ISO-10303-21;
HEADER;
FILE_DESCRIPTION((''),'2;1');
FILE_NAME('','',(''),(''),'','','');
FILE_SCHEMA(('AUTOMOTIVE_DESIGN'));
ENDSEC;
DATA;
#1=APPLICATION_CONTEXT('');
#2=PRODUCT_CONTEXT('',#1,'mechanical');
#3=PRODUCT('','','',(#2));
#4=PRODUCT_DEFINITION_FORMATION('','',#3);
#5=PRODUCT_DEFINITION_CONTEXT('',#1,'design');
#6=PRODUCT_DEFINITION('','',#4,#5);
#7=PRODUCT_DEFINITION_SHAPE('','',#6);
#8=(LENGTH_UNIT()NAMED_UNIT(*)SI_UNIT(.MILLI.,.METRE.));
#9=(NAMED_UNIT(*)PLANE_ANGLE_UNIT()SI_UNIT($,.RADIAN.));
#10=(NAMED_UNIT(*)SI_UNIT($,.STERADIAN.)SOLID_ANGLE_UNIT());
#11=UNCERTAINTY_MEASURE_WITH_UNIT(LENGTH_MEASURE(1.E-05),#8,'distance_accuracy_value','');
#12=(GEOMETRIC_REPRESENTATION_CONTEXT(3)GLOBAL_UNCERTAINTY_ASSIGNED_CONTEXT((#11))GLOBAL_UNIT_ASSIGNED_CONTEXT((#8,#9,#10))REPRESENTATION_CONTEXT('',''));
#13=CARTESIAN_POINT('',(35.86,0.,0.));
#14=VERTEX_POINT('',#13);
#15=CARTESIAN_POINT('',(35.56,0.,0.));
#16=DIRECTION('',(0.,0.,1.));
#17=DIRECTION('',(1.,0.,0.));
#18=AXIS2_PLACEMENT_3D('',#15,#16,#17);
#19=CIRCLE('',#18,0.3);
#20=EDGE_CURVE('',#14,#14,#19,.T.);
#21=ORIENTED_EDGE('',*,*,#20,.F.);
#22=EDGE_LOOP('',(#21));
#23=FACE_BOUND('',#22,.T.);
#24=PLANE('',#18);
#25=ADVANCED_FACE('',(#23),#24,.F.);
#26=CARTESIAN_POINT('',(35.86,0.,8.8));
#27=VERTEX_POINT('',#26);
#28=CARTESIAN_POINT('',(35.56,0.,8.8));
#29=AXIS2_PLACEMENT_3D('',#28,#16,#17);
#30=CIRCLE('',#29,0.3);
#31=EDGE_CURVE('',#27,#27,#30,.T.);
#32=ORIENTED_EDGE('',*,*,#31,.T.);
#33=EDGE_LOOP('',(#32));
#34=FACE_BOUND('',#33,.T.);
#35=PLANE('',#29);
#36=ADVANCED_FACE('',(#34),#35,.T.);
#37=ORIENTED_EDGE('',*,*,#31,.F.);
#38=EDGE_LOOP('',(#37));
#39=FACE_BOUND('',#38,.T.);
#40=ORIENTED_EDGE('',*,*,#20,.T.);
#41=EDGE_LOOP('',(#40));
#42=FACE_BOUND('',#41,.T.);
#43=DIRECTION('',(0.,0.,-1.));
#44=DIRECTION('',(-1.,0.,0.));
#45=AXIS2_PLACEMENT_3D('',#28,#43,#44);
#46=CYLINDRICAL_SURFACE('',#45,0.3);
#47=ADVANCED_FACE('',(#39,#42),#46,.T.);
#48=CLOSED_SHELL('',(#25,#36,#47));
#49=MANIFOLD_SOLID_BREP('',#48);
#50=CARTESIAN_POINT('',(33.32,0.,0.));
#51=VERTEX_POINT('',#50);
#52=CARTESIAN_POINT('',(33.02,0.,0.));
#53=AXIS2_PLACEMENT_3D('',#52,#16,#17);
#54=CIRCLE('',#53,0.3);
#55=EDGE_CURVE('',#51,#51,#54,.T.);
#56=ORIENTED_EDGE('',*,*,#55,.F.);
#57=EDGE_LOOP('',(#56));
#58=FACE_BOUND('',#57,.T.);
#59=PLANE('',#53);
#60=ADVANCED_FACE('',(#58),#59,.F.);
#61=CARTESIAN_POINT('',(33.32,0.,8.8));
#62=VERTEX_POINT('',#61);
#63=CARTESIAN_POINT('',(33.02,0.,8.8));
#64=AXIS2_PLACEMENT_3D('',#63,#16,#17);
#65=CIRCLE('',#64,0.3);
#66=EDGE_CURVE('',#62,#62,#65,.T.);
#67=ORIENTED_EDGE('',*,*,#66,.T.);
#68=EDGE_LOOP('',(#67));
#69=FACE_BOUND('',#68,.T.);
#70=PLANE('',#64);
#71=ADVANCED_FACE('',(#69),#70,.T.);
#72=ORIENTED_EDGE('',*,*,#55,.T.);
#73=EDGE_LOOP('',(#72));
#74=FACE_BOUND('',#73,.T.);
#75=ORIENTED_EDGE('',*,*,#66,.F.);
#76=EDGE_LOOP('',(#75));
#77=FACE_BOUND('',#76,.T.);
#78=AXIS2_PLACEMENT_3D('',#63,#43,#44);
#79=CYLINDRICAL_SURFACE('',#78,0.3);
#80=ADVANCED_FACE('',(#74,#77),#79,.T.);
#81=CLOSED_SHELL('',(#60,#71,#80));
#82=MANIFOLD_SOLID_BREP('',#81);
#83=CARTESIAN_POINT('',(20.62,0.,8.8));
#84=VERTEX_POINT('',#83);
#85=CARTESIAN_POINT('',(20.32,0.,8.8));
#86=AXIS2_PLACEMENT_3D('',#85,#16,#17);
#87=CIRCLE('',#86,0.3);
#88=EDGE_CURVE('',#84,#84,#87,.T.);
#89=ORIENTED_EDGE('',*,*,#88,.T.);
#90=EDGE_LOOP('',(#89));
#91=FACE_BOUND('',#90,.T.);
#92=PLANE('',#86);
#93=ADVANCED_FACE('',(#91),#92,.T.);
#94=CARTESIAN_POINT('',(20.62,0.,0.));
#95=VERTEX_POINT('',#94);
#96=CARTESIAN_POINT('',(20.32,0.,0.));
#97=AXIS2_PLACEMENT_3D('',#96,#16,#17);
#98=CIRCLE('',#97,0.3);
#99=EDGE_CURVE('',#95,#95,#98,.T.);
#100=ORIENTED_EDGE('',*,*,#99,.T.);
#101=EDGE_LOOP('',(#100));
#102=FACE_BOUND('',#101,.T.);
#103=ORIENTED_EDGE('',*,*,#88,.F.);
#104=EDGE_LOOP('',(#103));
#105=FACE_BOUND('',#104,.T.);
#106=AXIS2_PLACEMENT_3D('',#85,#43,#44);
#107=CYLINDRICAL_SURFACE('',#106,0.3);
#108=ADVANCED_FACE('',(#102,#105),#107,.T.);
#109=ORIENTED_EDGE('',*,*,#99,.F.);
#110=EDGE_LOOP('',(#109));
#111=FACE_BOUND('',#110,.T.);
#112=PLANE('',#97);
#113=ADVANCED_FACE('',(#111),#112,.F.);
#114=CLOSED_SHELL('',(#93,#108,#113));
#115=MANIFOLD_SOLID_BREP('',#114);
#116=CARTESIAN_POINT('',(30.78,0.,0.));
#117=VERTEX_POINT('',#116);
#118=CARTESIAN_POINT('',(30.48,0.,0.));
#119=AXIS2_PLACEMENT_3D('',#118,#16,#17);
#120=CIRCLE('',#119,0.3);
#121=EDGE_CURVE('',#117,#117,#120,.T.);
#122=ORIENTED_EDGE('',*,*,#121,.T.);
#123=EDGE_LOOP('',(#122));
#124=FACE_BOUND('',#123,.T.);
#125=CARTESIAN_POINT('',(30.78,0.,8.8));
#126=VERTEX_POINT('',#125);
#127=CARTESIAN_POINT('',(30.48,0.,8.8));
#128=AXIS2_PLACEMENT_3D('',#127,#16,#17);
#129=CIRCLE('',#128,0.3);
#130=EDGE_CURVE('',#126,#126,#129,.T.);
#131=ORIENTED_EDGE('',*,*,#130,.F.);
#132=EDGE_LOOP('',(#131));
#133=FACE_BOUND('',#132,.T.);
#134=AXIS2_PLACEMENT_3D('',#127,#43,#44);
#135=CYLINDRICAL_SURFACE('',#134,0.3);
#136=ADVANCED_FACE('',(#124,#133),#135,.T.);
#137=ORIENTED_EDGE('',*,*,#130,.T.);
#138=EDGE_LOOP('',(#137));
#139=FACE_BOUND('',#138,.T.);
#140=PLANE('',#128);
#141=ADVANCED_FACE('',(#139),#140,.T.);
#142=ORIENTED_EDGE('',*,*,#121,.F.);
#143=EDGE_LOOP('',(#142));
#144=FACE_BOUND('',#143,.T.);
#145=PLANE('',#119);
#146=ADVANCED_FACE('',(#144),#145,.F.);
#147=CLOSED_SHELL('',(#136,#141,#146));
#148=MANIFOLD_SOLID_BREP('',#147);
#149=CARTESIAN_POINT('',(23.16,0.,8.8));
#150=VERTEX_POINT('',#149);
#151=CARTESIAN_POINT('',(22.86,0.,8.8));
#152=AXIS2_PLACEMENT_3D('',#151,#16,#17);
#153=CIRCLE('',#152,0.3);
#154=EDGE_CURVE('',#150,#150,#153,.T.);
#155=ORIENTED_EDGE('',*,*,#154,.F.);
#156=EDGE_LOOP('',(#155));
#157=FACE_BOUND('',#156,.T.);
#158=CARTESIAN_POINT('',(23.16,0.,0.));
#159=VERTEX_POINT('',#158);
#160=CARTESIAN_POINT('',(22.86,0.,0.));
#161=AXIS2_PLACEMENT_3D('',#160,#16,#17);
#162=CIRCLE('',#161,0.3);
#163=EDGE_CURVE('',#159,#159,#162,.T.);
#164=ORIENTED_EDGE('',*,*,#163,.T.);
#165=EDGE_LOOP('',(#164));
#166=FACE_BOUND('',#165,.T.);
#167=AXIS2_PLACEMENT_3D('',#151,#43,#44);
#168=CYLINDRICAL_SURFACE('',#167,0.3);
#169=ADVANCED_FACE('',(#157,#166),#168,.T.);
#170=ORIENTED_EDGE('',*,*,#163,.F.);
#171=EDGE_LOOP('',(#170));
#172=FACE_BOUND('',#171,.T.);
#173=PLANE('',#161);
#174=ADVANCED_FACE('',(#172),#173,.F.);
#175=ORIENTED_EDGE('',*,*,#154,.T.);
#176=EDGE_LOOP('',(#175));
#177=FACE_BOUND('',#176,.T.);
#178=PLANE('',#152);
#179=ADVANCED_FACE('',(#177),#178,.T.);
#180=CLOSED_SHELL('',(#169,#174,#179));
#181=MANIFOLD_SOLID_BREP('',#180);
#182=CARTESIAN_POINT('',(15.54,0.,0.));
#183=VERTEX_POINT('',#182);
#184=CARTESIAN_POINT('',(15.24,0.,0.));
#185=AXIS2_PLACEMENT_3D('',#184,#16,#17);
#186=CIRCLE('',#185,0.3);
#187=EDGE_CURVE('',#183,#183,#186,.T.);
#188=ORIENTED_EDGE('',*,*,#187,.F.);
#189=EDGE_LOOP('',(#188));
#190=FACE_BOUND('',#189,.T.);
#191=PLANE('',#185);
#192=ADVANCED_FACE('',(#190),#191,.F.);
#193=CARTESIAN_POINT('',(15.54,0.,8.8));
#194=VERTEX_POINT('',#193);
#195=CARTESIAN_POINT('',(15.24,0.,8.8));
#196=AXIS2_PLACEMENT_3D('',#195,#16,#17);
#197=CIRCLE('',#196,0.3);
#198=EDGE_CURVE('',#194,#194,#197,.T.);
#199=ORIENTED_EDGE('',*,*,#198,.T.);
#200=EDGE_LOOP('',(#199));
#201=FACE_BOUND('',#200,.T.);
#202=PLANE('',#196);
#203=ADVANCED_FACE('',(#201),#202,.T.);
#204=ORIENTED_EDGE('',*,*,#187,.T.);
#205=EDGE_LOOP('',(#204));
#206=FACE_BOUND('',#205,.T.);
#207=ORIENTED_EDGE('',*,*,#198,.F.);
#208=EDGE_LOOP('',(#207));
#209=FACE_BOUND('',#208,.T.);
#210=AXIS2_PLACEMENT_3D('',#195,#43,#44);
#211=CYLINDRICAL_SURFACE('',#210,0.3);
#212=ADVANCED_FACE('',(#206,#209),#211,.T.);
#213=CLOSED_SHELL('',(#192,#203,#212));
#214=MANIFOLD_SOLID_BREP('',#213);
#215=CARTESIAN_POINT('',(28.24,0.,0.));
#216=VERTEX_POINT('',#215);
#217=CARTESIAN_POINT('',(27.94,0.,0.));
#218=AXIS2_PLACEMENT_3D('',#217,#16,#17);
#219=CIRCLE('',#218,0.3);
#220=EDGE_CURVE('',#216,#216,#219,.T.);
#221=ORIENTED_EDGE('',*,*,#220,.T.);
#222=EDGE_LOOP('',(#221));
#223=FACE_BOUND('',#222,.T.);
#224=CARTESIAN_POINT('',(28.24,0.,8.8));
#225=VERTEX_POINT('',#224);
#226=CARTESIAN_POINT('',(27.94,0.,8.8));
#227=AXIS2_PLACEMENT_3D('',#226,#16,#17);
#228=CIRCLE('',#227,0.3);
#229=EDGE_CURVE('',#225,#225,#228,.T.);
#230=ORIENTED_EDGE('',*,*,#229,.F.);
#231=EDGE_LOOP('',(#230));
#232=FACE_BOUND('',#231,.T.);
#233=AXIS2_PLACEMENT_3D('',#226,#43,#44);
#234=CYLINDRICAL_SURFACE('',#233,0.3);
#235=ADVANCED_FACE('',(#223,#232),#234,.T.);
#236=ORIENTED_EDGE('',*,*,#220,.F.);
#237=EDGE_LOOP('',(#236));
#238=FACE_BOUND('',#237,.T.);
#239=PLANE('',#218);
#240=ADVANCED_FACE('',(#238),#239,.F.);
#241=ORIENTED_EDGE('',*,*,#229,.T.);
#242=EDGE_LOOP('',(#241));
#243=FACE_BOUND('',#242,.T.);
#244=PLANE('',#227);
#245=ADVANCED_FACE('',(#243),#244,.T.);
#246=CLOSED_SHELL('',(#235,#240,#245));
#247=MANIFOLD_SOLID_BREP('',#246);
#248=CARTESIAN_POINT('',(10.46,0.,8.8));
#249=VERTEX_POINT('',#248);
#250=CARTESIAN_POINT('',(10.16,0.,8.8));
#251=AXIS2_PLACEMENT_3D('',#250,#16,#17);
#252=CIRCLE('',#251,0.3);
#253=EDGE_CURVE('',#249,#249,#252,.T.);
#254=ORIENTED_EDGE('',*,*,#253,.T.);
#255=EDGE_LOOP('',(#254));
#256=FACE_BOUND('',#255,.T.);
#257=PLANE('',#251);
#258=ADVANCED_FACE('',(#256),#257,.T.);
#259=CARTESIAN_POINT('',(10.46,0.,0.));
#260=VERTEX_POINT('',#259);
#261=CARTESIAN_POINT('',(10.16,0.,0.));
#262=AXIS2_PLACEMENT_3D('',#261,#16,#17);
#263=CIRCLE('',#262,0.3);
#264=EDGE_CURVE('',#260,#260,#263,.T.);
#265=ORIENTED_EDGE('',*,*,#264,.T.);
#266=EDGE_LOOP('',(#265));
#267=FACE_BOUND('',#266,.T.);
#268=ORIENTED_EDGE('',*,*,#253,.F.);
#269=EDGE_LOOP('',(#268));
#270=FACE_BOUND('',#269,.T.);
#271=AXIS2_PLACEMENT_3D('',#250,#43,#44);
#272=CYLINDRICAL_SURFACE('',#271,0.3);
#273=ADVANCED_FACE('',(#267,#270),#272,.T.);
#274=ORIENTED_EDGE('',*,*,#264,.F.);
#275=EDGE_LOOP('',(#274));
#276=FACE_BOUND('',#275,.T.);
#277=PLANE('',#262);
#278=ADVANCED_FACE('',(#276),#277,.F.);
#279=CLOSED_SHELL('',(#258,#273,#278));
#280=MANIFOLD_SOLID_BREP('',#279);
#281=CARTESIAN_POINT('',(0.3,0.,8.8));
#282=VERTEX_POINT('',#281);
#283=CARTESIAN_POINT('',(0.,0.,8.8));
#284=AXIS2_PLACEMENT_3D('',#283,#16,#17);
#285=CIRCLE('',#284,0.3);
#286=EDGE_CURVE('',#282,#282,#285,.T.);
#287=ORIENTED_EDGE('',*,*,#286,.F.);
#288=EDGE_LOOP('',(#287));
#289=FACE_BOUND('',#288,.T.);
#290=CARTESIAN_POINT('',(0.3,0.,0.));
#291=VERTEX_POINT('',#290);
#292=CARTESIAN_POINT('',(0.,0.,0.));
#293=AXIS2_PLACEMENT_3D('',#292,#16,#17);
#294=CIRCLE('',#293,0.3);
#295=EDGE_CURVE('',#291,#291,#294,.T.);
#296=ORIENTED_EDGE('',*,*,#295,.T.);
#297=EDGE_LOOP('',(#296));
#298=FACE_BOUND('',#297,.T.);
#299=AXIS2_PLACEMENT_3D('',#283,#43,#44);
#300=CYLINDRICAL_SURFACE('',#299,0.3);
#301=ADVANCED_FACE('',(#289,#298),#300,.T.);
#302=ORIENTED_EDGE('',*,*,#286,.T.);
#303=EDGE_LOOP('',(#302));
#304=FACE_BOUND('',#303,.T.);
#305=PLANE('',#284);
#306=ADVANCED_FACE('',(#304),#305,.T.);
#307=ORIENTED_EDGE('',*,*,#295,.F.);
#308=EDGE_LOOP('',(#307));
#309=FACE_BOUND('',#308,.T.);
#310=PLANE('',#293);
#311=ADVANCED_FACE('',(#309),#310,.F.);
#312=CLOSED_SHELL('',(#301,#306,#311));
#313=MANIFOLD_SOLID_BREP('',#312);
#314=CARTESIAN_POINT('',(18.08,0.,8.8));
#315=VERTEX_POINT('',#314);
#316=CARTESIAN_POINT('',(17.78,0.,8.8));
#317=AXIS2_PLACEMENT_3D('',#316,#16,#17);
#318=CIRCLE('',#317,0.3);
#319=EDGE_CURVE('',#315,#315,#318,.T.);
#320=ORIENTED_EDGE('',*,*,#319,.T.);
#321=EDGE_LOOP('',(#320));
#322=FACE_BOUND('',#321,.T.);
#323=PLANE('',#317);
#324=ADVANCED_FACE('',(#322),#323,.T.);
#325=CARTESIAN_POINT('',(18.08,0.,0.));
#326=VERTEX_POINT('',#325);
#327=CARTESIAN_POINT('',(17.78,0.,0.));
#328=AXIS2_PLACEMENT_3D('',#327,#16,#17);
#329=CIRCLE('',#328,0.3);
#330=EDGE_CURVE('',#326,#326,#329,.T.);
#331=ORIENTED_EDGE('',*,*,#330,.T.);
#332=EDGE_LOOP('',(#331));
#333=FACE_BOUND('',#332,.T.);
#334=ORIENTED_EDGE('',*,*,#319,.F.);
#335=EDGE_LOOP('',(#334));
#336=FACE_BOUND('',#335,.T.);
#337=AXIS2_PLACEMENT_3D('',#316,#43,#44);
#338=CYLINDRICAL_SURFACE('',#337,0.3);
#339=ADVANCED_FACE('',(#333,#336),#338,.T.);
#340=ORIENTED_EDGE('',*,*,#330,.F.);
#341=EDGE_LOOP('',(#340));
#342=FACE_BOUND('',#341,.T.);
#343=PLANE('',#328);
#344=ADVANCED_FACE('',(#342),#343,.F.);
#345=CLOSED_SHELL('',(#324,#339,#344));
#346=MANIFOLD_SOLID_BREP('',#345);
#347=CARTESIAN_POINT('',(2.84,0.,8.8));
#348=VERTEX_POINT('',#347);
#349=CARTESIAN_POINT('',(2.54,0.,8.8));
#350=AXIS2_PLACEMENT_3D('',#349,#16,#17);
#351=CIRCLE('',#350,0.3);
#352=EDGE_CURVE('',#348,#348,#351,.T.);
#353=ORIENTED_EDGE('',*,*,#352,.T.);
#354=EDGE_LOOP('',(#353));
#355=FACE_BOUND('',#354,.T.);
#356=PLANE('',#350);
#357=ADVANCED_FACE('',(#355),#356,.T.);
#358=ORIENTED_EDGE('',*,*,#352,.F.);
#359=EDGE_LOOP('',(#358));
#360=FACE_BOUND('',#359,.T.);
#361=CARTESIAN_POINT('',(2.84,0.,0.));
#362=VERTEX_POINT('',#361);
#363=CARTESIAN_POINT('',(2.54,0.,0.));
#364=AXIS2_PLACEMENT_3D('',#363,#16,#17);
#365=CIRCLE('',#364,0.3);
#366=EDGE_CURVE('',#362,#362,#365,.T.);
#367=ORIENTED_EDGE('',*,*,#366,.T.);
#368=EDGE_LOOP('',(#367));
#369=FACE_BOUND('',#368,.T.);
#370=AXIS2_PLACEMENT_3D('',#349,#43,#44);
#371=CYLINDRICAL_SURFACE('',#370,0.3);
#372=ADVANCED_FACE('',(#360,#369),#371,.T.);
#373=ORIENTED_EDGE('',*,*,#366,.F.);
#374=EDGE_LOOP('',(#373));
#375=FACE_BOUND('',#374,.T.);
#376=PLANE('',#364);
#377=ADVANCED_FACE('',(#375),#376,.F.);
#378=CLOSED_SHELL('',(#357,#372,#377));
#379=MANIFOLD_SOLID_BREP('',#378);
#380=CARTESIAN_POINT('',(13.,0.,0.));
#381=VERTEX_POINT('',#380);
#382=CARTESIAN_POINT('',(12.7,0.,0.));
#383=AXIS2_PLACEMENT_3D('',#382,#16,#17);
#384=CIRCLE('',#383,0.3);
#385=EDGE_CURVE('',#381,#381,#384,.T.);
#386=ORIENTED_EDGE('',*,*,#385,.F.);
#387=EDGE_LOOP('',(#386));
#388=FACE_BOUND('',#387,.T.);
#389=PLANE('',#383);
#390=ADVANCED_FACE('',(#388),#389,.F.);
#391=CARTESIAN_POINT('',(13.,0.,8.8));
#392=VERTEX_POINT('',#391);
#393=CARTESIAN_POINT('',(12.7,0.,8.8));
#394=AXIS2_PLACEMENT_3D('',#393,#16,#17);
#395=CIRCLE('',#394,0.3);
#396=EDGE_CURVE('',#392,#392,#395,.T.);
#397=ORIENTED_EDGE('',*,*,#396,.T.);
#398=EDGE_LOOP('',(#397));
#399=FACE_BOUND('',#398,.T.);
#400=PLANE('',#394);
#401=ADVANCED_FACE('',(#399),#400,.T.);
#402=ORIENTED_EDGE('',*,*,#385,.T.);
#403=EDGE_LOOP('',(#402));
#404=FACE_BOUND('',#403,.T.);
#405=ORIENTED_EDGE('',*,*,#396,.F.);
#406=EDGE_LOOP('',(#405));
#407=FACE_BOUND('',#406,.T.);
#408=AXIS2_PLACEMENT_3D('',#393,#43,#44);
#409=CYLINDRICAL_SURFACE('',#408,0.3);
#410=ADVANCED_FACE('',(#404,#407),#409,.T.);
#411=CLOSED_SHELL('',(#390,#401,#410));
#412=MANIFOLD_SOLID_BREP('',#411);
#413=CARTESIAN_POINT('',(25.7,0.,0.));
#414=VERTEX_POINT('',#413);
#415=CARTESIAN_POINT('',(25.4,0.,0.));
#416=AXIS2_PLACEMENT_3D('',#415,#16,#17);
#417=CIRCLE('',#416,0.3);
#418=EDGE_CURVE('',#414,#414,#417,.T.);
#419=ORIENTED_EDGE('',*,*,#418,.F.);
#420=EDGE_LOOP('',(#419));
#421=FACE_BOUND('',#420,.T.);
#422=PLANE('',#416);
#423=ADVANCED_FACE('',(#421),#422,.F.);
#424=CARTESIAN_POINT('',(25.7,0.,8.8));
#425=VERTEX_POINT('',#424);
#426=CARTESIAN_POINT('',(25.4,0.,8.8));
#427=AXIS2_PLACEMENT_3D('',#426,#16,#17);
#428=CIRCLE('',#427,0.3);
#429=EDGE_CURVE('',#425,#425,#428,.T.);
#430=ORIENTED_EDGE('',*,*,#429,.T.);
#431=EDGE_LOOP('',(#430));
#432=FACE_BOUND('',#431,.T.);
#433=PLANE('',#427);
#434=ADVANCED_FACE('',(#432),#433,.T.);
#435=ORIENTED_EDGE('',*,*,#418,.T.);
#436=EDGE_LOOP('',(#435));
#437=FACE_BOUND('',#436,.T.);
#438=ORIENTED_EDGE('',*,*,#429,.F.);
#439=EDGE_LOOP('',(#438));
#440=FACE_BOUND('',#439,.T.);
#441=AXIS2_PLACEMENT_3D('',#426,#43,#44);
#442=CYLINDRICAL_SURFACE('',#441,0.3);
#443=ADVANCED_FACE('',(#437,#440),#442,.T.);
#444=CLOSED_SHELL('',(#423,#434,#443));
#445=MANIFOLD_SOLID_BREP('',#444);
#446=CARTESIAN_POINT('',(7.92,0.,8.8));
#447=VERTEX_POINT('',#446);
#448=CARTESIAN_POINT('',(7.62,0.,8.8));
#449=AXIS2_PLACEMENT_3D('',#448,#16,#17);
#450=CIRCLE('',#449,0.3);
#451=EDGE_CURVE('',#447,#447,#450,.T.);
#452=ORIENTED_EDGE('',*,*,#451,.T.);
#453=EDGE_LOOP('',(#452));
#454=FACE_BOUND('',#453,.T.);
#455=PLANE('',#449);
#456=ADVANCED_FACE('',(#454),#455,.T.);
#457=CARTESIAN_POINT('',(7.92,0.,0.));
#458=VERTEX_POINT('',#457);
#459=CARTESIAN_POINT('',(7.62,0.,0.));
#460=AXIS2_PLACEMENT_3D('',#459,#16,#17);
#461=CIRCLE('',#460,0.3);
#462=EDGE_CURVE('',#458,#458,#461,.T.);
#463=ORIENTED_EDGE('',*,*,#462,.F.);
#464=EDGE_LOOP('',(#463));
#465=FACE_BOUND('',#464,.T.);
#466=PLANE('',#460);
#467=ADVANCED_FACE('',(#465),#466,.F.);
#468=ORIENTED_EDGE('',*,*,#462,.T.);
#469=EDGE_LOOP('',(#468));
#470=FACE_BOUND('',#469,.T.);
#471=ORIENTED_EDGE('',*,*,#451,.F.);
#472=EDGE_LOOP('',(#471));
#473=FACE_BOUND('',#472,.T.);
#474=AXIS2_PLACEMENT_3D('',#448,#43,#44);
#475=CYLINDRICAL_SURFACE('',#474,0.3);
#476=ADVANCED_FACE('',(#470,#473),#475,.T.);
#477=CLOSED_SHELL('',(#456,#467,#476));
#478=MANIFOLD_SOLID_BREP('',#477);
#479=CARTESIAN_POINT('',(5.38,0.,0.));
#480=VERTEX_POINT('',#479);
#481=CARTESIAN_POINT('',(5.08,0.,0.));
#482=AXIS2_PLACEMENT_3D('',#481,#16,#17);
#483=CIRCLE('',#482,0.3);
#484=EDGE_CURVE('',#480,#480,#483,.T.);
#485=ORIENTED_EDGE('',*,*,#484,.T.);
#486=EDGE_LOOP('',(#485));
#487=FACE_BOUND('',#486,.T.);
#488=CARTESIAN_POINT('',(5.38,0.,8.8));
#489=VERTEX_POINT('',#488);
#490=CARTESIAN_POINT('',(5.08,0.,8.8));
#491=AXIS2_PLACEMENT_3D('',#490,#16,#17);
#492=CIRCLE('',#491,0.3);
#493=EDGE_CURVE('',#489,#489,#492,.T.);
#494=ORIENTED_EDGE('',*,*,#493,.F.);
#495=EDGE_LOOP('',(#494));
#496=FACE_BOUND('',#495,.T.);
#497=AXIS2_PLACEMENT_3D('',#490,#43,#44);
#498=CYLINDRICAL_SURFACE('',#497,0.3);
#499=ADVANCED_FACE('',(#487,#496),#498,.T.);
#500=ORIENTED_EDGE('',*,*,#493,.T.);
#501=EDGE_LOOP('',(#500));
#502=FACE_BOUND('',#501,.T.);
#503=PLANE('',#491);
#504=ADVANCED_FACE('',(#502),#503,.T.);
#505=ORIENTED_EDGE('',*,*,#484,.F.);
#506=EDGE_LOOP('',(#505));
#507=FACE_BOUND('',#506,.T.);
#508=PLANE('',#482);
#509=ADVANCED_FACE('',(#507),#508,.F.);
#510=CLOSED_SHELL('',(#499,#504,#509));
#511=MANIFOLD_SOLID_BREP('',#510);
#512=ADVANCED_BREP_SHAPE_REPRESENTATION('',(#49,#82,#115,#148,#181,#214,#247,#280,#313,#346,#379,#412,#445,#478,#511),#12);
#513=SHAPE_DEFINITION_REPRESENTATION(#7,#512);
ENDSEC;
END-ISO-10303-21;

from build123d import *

# Parameters (mm, degrees)
SKETCH_1_R         = 0.3
EXTRUDE_1_DEPTH    = 8.8
EXTRUDE_1_2_DEPTH  = 8.8
EXTRUDE_1_3_DEPTH  = 8.8
EXTRUDE_1_4_DEPTH  = 8.8
EXTRUDE_1_5_DEPTH  = 8.8
EXTRUDE_1_6_DEPTH  = 8.8
EXTRUDE_1_7_DEPTH  = 8.8
EXTRUDE_1_8_DEPTH  = 8.8
EXTRUDE_1_9_DEPTH  = 8.8
EXTRUDE_1_10_DEPTH = 8.8
EXTRUDE_1_11_DEPTH = 8.8
EXTRUDE_1_12_DEPTH = 8.8
EXTRUDE_1_13_DEPTH = 8.8
EXTRUDE_1_14_DEPTH = 8.8
EXTRUDE_1_15_DEPTH = 8.8


with BuildPart() as part:
    # Эскиз1 → Бобышка-Вытянуть1 (new body)
    with BuildSketch(Plane.XY):
        Circle(SKETCH_1_R)
    extrude(amount=EXTRUDE_1_DEPTH)


with BuildPart() as body_2:
    # Эскиз1 → Extrude 1 2 (new body)
    with BuildSketch(Plane.XY):
        with Locations((2.54, 0)):
            Circle(SKETCH_1_R)
    extrude(amount=EXTRUDE_1_2_DEPTH)


with BuildPart() as body_3:
    # Эскиз1 → Extrude 1 3 (new body)
    with BuildSketch(Plane.XY):
        with Locations((5.08, 0)):
            Circle(SKETCH_1_R)
    extrude(amount=EXTRUDE_1_3_DEPTH)


with BuildPart() as body_4:
    # Эскиз1 → Extrude 1 4 (new body)
    with BuildSketch(Plane.XY):
        with Locations((7.62, 0)):
            Circle(SKETCH_1_R)
    extrude(amount=EXTRUDE_1_4_DEPTH)


with BuildPart() as body_5:
    # Эскиз1 → Extrude 1 5 (new body)
    with BuildSketch(Plane.XY):
        with Locations((10.16, 0)):
            Circle(SKETCH_1_R)
    extrude(amount=EXTRUDE_1_5_DEPTH)


with BuildPart() as body_6:
    # Эскиз1 → Extrude 1 6 (new body)
    with BuildSketch(Plane.XY):
        with Locations((12.7, 0)):
            Circle(SKETCH_1_R)
    extrude(amount=EXTRUDE_1_6_DEPTH)


with BuildPart() as body_7:
    # Эскиз1 → Extrude 1 7 (new body)
    with BuildSketch(Plane.XY):
        with Locations((15.24, 0)):
            Circle(SKETCH_1_R)
    extrude(amount=EXTRUDE_1_7_DEPTH)


with BuildPart() as body_8:
    # Эскиз1 → Extrude 1 8 (new body)
    with BuildSketch(Plane.XY):
        with Locations((17.78, 0)):
            Circle(SKETCH_1_R)
    extrude(amount=EXTRUDE_1_8_DEPTH)


with BuildPart() as body_9:
    # Эскиз1 → Extrude 1 9 (new body)
    with BuildSketch(Plane.XY):
        with Locations((20.32, 0)):
            Circle(SKETCH_1_R)
    extrude(amount=EXTRUDE_1_9_DEPTH)


with BuildPart() as body_10:
    # Эскиз1 → Extrude 1 10 (new body)
    with BuildSketch(Plane.XY):
        with Locations((22.86, 0)):
            Circle(SKETCH_1_R)
    extrude(amount=EXTRUDE_1_10_DEPTH)


with BuildPart() as body_11:
    # Эскиз1 → Extrude 1 11 (new body)
    with BuildSketch(Plane.XY):
        with Locations((25.4, 0)):
            Circle(SKETCH_1_R)
    extrude(amount=EXTRUDE_1_11_DEPTH)


with BuildPart() as body_12:
    # Эскиз1 → Extrude 1 12 (new body)
    with BuildSketch(Plane.XY):
        with Locations((27.94, 0)):
            Circle(SKETCH_1_R)
    extrude(amount=EXTRUDE_1_12_DEPTH)


with BuildPart() as body_13:
    # Эскиз1 → Extrude 1 13 (new body)
    with BuildSketch(Plane.XY):
        with Locations((30.48, 0)):
            Circle(SKETCH_1_R)
    extrude(amount=EXTRUDE_1_13_DEPTH)


with BuildPart() as body_14:
    # Эскиз1 → Extrude 1 14 (new body)
    with BuildSketch(Plane.XY):
        with Locations((33.02, 0)):
            Circle(SKETCH_1_R)
    extrude(amount=EXTRUDE_1_14_DEPTH)


with BuildPart() as body_15:
    # Эскиз1 → Extrude 1 15 (new body)
    with BuildSketch(Plane.XY):
        with Locations((35.56, 0)):
            Circle(SKETCH_1_R)
    extrude(amount=EXTRUDE_1_15_DEPTH)


solid = Compound([part.part, body_2.part, body_3.part, body_4.part, body_5.part, body_6.part, body_7.part, body_8.part, body_9.part, body_10.part, body_11.part, body_12.part, body_13.part, body_14.part, body_15.part])
